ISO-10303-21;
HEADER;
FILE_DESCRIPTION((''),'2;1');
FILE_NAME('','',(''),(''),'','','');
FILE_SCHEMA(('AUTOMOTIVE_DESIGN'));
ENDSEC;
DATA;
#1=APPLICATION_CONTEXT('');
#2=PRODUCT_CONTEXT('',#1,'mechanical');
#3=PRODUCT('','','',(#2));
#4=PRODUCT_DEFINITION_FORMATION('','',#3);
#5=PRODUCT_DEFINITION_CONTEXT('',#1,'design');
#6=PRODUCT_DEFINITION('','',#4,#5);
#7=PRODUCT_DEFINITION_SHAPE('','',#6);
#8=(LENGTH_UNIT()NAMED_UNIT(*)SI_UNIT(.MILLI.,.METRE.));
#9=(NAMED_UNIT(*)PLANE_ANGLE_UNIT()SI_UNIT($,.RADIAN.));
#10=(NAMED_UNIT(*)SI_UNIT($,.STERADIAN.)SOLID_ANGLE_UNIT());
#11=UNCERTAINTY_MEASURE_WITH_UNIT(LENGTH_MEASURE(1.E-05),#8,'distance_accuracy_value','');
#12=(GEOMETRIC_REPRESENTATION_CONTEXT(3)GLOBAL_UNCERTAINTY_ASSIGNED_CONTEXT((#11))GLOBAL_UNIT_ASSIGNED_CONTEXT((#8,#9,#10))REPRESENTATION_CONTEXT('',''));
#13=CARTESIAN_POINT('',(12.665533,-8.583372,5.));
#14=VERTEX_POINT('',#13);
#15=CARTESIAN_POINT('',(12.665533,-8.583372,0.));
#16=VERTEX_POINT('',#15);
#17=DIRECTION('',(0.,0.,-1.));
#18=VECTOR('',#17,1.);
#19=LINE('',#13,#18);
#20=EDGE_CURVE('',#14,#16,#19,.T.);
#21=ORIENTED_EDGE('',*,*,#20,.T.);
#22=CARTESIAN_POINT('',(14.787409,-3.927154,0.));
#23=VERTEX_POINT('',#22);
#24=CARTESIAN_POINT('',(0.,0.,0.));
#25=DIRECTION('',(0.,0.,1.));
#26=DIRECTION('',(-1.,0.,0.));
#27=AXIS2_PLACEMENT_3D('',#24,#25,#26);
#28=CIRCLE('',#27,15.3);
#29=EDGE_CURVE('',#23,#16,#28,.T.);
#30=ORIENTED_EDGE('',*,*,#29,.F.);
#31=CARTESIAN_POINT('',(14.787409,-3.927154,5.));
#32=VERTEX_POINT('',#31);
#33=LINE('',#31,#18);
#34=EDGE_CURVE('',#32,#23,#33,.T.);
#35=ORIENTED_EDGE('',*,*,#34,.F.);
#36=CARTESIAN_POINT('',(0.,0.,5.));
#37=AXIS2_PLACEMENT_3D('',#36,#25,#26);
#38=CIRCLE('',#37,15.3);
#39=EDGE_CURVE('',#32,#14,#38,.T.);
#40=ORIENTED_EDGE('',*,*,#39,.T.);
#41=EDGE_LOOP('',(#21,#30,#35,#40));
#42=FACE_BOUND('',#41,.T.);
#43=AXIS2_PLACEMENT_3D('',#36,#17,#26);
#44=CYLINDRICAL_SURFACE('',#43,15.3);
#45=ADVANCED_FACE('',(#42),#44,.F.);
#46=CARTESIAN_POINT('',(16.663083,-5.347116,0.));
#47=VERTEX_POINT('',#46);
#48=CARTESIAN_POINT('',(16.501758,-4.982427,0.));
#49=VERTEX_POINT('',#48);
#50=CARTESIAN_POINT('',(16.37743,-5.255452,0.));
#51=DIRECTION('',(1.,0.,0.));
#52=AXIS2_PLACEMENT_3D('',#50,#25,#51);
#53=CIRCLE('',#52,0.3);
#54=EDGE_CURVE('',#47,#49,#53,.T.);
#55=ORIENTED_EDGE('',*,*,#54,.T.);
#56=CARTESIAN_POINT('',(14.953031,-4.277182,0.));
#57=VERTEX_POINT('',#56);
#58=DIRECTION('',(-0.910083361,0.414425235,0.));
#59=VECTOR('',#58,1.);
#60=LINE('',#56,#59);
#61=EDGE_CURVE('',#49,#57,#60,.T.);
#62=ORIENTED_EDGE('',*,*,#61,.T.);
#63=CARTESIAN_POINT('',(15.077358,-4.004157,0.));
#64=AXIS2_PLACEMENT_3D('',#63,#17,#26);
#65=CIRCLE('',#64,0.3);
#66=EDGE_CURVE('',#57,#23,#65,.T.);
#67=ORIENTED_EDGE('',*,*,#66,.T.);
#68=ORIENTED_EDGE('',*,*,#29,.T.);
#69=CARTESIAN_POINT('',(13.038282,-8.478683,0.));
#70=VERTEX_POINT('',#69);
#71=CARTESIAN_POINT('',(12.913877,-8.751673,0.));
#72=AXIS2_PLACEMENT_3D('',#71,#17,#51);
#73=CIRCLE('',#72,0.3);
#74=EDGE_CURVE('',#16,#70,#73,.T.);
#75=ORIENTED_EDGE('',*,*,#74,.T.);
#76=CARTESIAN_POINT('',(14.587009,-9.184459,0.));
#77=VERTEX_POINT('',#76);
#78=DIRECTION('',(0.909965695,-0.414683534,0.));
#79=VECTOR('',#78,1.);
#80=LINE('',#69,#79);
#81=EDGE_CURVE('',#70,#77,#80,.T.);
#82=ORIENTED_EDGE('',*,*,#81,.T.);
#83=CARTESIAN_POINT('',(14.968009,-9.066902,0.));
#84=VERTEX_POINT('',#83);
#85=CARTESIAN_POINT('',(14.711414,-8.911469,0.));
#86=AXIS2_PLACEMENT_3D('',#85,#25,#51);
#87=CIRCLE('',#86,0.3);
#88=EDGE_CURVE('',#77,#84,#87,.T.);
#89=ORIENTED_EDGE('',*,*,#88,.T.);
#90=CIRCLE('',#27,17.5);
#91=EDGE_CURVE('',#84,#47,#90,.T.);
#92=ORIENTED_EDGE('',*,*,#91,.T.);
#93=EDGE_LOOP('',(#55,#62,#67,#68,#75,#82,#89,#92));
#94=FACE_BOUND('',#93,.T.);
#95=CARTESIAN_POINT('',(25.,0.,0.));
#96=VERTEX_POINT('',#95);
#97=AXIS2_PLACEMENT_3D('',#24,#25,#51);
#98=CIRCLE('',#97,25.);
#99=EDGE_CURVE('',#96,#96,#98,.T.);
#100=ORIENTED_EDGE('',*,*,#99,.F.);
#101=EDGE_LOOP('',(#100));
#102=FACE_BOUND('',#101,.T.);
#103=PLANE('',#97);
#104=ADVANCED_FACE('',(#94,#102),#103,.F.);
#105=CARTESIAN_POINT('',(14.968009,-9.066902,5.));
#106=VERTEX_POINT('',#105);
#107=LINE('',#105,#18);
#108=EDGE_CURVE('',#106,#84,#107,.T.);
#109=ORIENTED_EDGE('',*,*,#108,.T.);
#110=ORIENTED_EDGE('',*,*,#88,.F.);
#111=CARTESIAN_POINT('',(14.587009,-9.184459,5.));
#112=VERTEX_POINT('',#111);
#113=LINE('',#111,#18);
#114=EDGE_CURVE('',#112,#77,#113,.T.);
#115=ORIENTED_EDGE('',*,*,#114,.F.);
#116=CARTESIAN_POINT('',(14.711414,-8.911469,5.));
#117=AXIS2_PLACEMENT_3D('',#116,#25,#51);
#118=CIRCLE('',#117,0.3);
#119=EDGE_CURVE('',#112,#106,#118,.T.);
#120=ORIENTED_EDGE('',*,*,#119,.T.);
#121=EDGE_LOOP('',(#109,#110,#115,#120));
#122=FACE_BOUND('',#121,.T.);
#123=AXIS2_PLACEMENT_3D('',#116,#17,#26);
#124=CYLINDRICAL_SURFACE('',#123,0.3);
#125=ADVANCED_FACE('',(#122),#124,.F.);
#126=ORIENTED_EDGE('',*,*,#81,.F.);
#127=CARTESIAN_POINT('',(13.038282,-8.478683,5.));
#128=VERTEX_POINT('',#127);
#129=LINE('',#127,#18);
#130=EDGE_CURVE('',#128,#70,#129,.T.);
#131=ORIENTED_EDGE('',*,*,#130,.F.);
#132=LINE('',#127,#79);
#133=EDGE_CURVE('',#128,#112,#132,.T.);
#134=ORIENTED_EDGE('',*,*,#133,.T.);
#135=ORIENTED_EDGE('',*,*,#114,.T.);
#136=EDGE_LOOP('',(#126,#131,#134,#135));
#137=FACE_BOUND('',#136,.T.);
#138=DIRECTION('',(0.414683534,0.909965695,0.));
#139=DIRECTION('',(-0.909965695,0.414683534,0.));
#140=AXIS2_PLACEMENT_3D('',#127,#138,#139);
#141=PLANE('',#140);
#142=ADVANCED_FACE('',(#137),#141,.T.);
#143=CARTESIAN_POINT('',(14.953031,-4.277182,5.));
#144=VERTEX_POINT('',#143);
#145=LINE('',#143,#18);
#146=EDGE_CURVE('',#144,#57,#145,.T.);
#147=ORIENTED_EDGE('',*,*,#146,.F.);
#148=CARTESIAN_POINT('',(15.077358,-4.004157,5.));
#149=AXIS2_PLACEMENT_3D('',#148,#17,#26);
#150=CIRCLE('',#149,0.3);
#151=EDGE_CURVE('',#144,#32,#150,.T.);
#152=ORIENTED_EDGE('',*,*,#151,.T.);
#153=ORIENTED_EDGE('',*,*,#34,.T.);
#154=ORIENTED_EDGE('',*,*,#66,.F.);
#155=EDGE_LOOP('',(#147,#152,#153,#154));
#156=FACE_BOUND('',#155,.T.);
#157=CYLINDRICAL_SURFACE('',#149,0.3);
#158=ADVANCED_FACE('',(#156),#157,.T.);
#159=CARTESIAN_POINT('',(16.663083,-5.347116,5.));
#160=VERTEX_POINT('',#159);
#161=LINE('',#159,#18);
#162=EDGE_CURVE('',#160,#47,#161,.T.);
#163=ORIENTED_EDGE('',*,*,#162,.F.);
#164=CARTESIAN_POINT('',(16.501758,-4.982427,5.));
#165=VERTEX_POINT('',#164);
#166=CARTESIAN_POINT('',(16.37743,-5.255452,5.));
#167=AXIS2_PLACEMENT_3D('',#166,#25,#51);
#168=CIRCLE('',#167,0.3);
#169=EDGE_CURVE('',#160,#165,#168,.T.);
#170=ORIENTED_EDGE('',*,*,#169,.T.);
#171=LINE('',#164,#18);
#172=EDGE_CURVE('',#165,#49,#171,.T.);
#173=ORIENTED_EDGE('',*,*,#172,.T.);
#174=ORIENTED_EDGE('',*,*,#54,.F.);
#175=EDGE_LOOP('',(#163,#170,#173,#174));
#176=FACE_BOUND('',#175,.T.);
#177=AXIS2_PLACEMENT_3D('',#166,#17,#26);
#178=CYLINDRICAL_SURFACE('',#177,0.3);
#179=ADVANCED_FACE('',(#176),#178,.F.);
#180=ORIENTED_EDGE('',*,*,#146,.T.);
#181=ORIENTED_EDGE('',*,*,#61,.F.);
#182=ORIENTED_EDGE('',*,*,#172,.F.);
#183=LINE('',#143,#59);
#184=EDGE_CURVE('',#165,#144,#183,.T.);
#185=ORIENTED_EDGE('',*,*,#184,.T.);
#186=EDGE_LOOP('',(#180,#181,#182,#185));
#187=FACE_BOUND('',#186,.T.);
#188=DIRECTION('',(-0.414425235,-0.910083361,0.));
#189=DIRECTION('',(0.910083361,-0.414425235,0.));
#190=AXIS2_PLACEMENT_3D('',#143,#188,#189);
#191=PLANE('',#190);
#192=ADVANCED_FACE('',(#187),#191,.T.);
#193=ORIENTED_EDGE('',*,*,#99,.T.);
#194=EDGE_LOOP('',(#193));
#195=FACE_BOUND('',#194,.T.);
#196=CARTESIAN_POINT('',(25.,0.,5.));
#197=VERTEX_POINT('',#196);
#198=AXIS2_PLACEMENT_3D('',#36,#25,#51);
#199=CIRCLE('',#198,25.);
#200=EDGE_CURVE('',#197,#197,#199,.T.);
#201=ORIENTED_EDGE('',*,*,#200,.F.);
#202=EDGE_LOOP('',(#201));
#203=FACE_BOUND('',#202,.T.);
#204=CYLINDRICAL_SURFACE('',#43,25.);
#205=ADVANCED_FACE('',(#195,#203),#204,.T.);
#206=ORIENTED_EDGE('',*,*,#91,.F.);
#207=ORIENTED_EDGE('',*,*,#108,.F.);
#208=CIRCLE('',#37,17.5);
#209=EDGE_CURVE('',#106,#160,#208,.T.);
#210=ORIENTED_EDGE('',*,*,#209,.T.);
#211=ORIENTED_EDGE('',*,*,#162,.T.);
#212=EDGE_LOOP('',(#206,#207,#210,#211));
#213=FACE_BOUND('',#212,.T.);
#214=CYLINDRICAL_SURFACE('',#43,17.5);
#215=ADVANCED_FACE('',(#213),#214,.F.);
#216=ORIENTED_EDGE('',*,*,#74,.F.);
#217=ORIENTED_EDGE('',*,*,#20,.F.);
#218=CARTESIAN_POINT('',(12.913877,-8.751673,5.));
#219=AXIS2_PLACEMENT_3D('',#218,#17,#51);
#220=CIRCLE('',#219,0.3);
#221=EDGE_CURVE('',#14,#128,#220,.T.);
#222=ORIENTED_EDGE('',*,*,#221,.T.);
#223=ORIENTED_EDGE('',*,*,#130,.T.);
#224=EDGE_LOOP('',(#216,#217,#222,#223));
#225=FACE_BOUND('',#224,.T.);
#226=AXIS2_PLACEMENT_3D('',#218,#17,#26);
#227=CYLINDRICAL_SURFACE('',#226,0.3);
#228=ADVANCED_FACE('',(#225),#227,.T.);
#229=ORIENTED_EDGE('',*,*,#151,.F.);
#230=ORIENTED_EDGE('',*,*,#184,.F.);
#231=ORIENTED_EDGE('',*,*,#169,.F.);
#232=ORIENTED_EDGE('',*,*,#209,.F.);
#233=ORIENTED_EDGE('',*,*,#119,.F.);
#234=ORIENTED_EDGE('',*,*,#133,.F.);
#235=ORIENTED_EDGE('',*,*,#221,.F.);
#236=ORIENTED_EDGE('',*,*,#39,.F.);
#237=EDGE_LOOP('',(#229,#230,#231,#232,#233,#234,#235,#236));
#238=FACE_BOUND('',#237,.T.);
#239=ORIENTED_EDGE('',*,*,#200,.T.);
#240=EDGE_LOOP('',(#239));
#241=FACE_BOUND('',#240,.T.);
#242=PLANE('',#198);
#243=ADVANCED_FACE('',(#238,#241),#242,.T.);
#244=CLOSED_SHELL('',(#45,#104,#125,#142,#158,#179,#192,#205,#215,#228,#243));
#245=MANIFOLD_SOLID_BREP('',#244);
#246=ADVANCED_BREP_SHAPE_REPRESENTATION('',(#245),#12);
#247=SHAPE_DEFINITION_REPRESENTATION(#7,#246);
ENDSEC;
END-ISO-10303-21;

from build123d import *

# Parameters (mm, degrees)
ESQUISSE1_R        = 25
BOSS_EXTRU_1_DEPTH = 5


with BuildPart() as part:
    # Esquisse1 → Boss.-Extru.1 (new body)
    with BuildSketch(Plane.XY):
        Circle(ESQUISSE1_R)
        with BuildLine():
            Line((14.953030626, -4.277181575), (16.501758042, -4.982426557))
            ThreePointArc((16.501758042, -4.982426557), (16.651785463, -5.134087079), (16.663083329, -5.347116418))
            ThreePointArc((16.663083329, -5.347116418), (15.924531384, -7.256672806), (14.968008895, -9.066901881))
            ThreePointArc((14.968008895, -9.066901881), (14.799864591, -9.198133844), (14.587009397, -9.184458985))
            Line((14.587009397, -9.184458985), (13.038282108, -8.478683252))
            ThreePointArc((13.038282108, -8.478683252), (12.832759155, -8.462847948), (12.665533258, -8.583371557))
            ThreePointArc((12.665533258, -8.583371557), (-13.922503409, 6.344596033), (14.787409001, -3.927153556))
            ThreePointArc((14.787409001, -3.927153556), (14.806182583, -4.132467854), (14.953030626, -4.277181575))
        make_face(mode=Mode.SUBTRACT)
    extrude(amount=BOSS_EXTRU_1_DEPTH)


solid = part.part
